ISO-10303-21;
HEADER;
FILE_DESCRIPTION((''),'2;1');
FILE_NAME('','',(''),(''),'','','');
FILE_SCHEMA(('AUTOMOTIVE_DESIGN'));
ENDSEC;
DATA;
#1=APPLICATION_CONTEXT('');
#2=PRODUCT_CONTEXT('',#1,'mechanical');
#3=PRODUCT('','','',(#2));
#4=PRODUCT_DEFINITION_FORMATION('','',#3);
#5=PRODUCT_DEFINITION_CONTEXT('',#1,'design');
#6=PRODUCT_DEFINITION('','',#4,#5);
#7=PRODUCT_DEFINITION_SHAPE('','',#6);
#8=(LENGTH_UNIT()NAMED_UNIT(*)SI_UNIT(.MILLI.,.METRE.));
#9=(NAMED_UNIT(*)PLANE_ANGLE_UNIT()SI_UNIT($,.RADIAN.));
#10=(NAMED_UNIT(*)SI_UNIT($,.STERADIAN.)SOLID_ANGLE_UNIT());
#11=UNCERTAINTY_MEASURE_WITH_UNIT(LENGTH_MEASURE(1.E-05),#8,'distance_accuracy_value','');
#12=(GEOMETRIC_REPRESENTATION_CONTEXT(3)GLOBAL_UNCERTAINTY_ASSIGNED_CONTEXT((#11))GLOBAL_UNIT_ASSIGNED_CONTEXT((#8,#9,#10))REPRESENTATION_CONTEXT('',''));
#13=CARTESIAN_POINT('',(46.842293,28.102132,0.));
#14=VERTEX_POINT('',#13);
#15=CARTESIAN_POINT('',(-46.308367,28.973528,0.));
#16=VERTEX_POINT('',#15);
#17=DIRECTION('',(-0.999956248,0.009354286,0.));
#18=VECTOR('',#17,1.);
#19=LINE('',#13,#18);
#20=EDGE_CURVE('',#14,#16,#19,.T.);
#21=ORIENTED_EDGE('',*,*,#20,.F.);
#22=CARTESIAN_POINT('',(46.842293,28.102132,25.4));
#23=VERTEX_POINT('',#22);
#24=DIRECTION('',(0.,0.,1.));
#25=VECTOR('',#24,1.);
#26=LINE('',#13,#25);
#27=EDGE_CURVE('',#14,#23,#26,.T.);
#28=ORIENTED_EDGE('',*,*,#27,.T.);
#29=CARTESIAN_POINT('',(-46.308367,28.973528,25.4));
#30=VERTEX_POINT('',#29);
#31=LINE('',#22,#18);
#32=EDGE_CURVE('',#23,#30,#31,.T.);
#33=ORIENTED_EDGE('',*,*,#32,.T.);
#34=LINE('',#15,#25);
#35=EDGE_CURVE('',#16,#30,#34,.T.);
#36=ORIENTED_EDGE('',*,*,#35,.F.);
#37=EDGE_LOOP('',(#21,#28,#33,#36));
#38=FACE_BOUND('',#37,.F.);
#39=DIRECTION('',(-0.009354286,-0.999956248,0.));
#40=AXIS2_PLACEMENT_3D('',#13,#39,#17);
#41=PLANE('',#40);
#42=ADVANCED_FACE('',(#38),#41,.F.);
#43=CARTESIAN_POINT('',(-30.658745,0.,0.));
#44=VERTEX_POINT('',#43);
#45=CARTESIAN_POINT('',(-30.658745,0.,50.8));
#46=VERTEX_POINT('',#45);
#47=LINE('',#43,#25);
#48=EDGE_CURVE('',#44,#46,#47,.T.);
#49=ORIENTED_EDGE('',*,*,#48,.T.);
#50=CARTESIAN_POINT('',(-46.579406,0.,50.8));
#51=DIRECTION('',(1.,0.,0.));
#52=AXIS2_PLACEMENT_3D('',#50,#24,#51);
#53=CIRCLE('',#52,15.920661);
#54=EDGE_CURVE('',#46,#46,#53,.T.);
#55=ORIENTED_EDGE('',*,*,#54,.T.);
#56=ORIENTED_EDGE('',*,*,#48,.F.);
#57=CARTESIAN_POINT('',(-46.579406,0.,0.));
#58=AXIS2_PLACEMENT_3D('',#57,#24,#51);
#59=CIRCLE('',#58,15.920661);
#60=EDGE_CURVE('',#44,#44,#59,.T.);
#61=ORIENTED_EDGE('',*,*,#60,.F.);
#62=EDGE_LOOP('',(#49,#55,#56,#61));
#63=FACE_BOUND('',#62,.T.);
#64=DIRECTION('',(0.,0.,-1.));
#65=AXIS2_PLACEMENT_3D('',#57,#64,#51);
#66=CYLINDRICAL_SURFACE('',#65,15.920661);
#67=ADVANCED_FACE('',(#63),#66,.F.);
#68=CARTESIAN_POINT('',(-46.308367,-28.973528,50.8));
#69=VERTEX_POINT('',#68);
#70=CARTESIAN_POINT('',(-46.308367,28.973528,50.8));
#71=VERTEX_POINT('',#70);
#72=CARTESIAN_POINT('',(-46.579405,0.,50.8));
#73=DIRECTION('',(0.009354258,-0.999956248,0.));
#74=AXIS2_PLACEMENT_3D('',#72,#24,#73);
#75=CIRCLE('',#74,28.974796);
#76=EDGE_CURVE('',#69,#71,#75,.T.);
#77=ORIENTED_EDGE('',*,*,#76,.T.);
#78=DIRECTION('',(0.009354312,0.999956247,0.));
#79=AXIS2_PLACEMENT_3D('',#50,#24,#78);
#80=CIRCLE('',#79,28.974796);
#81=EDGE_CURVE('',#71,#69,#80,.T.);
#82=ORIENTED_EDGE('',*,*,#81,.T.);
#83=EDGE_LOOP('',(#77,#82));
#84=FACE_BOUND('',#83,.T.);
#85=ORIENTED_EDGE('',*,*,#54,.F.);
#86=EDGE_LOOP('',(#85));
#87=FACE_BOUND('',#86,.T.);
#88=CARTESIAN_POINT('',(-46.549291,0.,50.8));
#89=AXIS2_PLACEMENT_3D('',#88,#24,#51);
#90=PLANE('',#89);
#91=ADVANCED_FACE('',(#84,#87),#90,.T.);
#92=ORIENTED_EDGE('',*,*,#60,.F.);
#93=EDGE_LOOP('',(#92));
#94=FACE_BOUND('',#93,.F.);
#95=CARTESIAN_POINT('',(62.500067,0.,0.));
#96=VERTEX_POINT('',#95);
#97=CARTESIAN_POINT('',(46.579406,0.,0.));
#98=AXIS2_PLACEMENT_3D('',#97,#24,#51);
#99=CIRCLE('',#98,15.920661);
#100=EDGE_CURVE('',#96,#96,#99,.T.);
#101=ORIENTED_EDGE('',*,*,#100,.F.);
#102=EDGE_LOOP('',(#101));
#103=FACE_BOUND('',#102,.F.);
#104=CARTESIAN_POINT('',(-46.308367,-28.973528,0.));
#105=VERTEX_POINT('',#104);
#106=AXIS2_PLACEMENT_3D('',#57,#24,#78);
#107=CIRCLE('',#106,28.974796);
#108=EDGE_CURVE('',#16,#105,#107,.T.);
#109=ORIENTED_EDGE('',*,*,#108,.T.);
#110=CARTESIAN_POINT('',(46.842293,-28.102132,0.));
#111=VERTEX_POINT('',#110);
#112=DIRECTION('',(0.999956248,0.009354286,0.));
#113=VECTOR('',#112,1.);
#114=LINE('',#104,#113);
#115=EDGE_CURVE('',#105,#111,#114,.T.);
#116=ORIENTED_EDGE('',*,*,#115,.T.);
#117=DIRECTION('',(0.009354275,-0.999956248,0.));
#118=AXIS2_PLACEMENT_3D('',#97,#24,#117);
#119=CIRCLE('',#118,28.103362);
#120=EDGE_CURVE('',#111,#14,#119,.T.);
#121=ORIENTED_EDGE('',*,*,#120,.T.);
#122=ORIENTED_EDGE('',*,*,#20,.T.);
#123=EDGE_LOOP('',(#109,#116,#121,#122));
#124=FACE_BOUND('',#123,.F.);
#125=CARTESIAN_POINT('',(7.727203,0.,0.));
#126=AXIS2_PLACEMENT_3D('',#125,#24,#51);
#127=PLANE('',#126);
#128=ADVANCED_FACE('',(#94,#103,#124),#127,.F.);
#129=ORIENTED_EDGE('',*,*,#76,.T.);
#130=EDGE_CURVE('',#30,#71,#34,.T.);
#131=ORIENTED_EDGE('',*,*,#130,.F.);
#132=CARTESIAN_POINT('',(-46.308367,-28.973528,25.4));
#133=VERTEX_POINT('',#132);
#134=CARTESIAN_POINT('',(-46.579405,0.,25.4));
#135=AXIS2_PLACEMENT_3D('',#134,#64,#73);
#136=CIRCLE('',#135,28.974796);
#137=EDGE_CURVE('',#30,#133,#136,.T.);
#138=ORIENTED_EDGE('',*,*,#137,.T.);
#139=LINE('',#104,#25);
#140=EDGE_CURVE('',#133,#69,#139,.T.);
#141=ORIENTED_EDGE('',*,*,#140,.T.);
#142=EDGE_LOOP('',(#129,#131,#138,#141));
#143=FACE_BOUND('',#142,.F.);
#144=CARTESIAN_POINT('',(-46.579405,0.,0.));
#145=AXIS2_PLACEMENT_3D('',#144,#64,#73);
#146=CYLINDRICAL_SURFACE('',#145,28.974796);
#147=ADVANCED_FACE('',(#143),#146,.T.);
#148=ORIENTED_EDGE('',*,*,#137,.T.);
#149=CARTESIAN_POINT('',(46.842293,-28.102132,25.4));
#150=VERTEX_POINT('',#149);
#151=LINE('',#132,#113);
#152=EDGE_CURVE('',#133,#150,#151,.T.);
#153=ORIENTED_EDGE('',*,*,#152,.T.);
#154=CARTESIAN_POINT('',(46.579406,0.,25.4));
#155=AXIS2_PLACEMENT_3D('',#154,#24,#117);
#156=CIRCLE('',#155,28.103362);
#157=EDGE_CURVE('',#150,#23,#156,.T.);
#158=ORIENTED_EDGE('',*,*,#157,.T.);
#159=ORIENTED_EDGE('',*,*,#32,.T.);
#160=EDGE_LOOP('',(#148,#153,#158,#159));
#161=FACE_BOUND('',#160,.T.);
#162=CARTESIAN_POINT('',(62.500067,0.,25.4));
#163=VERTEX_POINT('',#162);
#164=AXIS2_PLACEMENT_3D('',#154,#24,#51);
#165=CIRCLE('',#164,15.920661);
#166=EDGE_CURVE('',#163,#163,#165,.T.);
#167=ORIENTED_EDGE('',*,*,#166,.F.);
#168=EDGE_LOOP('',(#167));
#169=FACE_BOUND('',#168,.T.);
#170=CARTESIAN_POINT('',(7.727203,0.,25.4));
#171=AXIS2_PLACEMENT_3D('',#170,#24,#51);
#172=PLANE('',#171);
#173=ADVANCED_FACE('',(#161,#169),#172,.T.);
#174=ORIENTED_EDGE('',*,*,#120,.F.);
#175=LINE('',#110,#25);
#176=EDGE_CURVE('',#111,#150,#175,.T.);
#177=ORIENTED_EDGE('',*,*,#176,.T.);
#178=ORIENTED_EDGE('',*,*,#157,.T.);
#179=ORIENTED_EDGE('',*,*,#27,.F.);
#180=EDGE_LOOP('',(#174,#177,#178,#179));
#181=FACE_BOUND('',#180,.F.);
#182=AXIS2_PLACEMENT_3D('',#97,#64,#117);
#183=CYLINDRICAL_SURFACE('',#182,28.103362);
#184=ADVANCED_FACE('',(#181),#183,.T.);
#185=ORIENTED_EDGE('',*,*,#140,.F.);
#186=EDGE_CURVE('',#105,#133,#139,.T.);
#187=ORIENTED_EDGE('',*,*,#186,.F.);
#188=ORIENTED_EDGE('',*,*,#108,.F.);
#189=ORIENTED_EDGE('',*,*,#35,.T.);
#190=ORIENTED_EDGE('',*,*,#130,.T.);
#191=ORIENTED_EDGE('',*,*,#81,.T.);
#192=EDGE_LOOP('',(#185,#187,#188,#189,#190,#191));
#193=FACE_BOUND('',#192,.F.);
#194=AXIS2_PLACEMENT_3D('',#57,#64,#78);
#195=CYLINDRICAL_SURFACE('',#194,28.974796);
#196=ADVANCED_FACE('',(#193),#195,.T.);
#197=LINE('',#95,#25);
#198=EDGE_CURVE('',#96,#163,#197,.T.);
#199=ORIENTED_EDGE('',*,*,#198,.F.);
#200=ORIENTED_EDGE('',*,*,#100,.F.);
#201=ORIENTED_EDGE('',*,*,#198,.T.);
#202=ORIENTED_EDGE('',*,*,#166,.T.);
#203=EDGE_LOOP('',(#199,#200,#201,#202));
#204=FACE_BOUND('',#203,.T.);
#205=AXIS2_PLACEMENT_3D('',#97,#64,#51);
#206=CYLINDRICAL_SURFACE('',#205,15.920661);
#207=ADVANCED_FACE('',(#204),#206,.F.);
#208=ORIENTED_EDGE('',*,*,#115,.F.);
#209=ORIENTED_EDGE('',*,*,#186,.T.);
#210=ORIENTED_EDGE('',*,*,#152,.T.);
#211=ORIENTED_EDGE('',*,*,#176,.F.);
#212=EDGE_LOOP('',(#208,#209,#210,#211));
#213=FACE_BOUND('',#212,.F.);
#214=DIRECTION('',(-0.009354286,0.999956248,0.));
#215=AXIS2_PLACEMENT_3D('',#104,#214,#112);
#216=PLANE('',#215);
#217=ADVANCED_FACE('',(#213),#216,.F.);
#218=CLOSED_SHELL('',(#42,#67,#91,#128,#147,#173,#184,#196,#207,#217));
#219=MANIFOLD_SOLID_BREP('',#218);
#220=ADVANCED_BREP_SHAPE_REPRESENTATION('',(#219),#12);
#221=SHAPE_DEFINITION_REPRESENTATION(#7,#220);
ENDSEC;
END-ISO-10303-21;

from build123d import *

# Parameters (mm, degrees)
F0_R     = 15.920661
F1_DEPTH = 25.4
F2_DEPTH = 25.4
F3_DEPTH = 50.8


with BuildPart() as f1:
    # F0 (on Top) → F1 (new body)
    with BuildSketch(Plane.XY):
        with BuildLine():
            ThreePointArc((-46.308367, -28.973528), (-17.604609, 0), (-46.308367, 28.973528))
            ThreePointArc((-46.308367, 28.973528), (-75.554202, 0), (-46.308367, -28.973528))
        make_face()
        with Locations((-46.579406, 0)):
            Circle(F0_R, mode=Mode.SUBTRACT)
    extrude(amount=F1_DEPTH)

    # F0 (on Top) → F2 (join)
    with BuildSketch(Plane.XY):
        with BuildLine():
            Line((46.842293, 28.102132), (-46.308367, 28.973528))
            ThreePointArc((-46.308367, 28.973528), (-17.604609, 0), (-46.308367, -28.973528))
            Line((-46.308367, -28.973528), (46.842293, -28.102132))
            ThreePointArc((46.842293, -28.102132), (74.682768, 0), (46.842293, 28.102132))
        make_face()
        with Locations((46.579406, 0)):
            Circle(F0_R, mode=Mode.SUBTRACT)
    extrude(amount=F2_DEPTH)

    # F0 (on Top) → F3 (join)
    with BuildSketch(Plane.XY):
        with BuildLine():
            ThreePointArc((-46.308367, -28.973528), (-17.604609, 0), (-46.308367, 28.973528))
            ThreePointArc((-46.308367, 28.973528), (-75.554202, 0), (-46.308367, -28.973528))
        make_face()
        with Locations((-46.579406, 0)):
            Circle(F0_R, mode=Mode.SUBTRACT)
    extrude(amount=F3_DEPTH)


solid = f1.part
